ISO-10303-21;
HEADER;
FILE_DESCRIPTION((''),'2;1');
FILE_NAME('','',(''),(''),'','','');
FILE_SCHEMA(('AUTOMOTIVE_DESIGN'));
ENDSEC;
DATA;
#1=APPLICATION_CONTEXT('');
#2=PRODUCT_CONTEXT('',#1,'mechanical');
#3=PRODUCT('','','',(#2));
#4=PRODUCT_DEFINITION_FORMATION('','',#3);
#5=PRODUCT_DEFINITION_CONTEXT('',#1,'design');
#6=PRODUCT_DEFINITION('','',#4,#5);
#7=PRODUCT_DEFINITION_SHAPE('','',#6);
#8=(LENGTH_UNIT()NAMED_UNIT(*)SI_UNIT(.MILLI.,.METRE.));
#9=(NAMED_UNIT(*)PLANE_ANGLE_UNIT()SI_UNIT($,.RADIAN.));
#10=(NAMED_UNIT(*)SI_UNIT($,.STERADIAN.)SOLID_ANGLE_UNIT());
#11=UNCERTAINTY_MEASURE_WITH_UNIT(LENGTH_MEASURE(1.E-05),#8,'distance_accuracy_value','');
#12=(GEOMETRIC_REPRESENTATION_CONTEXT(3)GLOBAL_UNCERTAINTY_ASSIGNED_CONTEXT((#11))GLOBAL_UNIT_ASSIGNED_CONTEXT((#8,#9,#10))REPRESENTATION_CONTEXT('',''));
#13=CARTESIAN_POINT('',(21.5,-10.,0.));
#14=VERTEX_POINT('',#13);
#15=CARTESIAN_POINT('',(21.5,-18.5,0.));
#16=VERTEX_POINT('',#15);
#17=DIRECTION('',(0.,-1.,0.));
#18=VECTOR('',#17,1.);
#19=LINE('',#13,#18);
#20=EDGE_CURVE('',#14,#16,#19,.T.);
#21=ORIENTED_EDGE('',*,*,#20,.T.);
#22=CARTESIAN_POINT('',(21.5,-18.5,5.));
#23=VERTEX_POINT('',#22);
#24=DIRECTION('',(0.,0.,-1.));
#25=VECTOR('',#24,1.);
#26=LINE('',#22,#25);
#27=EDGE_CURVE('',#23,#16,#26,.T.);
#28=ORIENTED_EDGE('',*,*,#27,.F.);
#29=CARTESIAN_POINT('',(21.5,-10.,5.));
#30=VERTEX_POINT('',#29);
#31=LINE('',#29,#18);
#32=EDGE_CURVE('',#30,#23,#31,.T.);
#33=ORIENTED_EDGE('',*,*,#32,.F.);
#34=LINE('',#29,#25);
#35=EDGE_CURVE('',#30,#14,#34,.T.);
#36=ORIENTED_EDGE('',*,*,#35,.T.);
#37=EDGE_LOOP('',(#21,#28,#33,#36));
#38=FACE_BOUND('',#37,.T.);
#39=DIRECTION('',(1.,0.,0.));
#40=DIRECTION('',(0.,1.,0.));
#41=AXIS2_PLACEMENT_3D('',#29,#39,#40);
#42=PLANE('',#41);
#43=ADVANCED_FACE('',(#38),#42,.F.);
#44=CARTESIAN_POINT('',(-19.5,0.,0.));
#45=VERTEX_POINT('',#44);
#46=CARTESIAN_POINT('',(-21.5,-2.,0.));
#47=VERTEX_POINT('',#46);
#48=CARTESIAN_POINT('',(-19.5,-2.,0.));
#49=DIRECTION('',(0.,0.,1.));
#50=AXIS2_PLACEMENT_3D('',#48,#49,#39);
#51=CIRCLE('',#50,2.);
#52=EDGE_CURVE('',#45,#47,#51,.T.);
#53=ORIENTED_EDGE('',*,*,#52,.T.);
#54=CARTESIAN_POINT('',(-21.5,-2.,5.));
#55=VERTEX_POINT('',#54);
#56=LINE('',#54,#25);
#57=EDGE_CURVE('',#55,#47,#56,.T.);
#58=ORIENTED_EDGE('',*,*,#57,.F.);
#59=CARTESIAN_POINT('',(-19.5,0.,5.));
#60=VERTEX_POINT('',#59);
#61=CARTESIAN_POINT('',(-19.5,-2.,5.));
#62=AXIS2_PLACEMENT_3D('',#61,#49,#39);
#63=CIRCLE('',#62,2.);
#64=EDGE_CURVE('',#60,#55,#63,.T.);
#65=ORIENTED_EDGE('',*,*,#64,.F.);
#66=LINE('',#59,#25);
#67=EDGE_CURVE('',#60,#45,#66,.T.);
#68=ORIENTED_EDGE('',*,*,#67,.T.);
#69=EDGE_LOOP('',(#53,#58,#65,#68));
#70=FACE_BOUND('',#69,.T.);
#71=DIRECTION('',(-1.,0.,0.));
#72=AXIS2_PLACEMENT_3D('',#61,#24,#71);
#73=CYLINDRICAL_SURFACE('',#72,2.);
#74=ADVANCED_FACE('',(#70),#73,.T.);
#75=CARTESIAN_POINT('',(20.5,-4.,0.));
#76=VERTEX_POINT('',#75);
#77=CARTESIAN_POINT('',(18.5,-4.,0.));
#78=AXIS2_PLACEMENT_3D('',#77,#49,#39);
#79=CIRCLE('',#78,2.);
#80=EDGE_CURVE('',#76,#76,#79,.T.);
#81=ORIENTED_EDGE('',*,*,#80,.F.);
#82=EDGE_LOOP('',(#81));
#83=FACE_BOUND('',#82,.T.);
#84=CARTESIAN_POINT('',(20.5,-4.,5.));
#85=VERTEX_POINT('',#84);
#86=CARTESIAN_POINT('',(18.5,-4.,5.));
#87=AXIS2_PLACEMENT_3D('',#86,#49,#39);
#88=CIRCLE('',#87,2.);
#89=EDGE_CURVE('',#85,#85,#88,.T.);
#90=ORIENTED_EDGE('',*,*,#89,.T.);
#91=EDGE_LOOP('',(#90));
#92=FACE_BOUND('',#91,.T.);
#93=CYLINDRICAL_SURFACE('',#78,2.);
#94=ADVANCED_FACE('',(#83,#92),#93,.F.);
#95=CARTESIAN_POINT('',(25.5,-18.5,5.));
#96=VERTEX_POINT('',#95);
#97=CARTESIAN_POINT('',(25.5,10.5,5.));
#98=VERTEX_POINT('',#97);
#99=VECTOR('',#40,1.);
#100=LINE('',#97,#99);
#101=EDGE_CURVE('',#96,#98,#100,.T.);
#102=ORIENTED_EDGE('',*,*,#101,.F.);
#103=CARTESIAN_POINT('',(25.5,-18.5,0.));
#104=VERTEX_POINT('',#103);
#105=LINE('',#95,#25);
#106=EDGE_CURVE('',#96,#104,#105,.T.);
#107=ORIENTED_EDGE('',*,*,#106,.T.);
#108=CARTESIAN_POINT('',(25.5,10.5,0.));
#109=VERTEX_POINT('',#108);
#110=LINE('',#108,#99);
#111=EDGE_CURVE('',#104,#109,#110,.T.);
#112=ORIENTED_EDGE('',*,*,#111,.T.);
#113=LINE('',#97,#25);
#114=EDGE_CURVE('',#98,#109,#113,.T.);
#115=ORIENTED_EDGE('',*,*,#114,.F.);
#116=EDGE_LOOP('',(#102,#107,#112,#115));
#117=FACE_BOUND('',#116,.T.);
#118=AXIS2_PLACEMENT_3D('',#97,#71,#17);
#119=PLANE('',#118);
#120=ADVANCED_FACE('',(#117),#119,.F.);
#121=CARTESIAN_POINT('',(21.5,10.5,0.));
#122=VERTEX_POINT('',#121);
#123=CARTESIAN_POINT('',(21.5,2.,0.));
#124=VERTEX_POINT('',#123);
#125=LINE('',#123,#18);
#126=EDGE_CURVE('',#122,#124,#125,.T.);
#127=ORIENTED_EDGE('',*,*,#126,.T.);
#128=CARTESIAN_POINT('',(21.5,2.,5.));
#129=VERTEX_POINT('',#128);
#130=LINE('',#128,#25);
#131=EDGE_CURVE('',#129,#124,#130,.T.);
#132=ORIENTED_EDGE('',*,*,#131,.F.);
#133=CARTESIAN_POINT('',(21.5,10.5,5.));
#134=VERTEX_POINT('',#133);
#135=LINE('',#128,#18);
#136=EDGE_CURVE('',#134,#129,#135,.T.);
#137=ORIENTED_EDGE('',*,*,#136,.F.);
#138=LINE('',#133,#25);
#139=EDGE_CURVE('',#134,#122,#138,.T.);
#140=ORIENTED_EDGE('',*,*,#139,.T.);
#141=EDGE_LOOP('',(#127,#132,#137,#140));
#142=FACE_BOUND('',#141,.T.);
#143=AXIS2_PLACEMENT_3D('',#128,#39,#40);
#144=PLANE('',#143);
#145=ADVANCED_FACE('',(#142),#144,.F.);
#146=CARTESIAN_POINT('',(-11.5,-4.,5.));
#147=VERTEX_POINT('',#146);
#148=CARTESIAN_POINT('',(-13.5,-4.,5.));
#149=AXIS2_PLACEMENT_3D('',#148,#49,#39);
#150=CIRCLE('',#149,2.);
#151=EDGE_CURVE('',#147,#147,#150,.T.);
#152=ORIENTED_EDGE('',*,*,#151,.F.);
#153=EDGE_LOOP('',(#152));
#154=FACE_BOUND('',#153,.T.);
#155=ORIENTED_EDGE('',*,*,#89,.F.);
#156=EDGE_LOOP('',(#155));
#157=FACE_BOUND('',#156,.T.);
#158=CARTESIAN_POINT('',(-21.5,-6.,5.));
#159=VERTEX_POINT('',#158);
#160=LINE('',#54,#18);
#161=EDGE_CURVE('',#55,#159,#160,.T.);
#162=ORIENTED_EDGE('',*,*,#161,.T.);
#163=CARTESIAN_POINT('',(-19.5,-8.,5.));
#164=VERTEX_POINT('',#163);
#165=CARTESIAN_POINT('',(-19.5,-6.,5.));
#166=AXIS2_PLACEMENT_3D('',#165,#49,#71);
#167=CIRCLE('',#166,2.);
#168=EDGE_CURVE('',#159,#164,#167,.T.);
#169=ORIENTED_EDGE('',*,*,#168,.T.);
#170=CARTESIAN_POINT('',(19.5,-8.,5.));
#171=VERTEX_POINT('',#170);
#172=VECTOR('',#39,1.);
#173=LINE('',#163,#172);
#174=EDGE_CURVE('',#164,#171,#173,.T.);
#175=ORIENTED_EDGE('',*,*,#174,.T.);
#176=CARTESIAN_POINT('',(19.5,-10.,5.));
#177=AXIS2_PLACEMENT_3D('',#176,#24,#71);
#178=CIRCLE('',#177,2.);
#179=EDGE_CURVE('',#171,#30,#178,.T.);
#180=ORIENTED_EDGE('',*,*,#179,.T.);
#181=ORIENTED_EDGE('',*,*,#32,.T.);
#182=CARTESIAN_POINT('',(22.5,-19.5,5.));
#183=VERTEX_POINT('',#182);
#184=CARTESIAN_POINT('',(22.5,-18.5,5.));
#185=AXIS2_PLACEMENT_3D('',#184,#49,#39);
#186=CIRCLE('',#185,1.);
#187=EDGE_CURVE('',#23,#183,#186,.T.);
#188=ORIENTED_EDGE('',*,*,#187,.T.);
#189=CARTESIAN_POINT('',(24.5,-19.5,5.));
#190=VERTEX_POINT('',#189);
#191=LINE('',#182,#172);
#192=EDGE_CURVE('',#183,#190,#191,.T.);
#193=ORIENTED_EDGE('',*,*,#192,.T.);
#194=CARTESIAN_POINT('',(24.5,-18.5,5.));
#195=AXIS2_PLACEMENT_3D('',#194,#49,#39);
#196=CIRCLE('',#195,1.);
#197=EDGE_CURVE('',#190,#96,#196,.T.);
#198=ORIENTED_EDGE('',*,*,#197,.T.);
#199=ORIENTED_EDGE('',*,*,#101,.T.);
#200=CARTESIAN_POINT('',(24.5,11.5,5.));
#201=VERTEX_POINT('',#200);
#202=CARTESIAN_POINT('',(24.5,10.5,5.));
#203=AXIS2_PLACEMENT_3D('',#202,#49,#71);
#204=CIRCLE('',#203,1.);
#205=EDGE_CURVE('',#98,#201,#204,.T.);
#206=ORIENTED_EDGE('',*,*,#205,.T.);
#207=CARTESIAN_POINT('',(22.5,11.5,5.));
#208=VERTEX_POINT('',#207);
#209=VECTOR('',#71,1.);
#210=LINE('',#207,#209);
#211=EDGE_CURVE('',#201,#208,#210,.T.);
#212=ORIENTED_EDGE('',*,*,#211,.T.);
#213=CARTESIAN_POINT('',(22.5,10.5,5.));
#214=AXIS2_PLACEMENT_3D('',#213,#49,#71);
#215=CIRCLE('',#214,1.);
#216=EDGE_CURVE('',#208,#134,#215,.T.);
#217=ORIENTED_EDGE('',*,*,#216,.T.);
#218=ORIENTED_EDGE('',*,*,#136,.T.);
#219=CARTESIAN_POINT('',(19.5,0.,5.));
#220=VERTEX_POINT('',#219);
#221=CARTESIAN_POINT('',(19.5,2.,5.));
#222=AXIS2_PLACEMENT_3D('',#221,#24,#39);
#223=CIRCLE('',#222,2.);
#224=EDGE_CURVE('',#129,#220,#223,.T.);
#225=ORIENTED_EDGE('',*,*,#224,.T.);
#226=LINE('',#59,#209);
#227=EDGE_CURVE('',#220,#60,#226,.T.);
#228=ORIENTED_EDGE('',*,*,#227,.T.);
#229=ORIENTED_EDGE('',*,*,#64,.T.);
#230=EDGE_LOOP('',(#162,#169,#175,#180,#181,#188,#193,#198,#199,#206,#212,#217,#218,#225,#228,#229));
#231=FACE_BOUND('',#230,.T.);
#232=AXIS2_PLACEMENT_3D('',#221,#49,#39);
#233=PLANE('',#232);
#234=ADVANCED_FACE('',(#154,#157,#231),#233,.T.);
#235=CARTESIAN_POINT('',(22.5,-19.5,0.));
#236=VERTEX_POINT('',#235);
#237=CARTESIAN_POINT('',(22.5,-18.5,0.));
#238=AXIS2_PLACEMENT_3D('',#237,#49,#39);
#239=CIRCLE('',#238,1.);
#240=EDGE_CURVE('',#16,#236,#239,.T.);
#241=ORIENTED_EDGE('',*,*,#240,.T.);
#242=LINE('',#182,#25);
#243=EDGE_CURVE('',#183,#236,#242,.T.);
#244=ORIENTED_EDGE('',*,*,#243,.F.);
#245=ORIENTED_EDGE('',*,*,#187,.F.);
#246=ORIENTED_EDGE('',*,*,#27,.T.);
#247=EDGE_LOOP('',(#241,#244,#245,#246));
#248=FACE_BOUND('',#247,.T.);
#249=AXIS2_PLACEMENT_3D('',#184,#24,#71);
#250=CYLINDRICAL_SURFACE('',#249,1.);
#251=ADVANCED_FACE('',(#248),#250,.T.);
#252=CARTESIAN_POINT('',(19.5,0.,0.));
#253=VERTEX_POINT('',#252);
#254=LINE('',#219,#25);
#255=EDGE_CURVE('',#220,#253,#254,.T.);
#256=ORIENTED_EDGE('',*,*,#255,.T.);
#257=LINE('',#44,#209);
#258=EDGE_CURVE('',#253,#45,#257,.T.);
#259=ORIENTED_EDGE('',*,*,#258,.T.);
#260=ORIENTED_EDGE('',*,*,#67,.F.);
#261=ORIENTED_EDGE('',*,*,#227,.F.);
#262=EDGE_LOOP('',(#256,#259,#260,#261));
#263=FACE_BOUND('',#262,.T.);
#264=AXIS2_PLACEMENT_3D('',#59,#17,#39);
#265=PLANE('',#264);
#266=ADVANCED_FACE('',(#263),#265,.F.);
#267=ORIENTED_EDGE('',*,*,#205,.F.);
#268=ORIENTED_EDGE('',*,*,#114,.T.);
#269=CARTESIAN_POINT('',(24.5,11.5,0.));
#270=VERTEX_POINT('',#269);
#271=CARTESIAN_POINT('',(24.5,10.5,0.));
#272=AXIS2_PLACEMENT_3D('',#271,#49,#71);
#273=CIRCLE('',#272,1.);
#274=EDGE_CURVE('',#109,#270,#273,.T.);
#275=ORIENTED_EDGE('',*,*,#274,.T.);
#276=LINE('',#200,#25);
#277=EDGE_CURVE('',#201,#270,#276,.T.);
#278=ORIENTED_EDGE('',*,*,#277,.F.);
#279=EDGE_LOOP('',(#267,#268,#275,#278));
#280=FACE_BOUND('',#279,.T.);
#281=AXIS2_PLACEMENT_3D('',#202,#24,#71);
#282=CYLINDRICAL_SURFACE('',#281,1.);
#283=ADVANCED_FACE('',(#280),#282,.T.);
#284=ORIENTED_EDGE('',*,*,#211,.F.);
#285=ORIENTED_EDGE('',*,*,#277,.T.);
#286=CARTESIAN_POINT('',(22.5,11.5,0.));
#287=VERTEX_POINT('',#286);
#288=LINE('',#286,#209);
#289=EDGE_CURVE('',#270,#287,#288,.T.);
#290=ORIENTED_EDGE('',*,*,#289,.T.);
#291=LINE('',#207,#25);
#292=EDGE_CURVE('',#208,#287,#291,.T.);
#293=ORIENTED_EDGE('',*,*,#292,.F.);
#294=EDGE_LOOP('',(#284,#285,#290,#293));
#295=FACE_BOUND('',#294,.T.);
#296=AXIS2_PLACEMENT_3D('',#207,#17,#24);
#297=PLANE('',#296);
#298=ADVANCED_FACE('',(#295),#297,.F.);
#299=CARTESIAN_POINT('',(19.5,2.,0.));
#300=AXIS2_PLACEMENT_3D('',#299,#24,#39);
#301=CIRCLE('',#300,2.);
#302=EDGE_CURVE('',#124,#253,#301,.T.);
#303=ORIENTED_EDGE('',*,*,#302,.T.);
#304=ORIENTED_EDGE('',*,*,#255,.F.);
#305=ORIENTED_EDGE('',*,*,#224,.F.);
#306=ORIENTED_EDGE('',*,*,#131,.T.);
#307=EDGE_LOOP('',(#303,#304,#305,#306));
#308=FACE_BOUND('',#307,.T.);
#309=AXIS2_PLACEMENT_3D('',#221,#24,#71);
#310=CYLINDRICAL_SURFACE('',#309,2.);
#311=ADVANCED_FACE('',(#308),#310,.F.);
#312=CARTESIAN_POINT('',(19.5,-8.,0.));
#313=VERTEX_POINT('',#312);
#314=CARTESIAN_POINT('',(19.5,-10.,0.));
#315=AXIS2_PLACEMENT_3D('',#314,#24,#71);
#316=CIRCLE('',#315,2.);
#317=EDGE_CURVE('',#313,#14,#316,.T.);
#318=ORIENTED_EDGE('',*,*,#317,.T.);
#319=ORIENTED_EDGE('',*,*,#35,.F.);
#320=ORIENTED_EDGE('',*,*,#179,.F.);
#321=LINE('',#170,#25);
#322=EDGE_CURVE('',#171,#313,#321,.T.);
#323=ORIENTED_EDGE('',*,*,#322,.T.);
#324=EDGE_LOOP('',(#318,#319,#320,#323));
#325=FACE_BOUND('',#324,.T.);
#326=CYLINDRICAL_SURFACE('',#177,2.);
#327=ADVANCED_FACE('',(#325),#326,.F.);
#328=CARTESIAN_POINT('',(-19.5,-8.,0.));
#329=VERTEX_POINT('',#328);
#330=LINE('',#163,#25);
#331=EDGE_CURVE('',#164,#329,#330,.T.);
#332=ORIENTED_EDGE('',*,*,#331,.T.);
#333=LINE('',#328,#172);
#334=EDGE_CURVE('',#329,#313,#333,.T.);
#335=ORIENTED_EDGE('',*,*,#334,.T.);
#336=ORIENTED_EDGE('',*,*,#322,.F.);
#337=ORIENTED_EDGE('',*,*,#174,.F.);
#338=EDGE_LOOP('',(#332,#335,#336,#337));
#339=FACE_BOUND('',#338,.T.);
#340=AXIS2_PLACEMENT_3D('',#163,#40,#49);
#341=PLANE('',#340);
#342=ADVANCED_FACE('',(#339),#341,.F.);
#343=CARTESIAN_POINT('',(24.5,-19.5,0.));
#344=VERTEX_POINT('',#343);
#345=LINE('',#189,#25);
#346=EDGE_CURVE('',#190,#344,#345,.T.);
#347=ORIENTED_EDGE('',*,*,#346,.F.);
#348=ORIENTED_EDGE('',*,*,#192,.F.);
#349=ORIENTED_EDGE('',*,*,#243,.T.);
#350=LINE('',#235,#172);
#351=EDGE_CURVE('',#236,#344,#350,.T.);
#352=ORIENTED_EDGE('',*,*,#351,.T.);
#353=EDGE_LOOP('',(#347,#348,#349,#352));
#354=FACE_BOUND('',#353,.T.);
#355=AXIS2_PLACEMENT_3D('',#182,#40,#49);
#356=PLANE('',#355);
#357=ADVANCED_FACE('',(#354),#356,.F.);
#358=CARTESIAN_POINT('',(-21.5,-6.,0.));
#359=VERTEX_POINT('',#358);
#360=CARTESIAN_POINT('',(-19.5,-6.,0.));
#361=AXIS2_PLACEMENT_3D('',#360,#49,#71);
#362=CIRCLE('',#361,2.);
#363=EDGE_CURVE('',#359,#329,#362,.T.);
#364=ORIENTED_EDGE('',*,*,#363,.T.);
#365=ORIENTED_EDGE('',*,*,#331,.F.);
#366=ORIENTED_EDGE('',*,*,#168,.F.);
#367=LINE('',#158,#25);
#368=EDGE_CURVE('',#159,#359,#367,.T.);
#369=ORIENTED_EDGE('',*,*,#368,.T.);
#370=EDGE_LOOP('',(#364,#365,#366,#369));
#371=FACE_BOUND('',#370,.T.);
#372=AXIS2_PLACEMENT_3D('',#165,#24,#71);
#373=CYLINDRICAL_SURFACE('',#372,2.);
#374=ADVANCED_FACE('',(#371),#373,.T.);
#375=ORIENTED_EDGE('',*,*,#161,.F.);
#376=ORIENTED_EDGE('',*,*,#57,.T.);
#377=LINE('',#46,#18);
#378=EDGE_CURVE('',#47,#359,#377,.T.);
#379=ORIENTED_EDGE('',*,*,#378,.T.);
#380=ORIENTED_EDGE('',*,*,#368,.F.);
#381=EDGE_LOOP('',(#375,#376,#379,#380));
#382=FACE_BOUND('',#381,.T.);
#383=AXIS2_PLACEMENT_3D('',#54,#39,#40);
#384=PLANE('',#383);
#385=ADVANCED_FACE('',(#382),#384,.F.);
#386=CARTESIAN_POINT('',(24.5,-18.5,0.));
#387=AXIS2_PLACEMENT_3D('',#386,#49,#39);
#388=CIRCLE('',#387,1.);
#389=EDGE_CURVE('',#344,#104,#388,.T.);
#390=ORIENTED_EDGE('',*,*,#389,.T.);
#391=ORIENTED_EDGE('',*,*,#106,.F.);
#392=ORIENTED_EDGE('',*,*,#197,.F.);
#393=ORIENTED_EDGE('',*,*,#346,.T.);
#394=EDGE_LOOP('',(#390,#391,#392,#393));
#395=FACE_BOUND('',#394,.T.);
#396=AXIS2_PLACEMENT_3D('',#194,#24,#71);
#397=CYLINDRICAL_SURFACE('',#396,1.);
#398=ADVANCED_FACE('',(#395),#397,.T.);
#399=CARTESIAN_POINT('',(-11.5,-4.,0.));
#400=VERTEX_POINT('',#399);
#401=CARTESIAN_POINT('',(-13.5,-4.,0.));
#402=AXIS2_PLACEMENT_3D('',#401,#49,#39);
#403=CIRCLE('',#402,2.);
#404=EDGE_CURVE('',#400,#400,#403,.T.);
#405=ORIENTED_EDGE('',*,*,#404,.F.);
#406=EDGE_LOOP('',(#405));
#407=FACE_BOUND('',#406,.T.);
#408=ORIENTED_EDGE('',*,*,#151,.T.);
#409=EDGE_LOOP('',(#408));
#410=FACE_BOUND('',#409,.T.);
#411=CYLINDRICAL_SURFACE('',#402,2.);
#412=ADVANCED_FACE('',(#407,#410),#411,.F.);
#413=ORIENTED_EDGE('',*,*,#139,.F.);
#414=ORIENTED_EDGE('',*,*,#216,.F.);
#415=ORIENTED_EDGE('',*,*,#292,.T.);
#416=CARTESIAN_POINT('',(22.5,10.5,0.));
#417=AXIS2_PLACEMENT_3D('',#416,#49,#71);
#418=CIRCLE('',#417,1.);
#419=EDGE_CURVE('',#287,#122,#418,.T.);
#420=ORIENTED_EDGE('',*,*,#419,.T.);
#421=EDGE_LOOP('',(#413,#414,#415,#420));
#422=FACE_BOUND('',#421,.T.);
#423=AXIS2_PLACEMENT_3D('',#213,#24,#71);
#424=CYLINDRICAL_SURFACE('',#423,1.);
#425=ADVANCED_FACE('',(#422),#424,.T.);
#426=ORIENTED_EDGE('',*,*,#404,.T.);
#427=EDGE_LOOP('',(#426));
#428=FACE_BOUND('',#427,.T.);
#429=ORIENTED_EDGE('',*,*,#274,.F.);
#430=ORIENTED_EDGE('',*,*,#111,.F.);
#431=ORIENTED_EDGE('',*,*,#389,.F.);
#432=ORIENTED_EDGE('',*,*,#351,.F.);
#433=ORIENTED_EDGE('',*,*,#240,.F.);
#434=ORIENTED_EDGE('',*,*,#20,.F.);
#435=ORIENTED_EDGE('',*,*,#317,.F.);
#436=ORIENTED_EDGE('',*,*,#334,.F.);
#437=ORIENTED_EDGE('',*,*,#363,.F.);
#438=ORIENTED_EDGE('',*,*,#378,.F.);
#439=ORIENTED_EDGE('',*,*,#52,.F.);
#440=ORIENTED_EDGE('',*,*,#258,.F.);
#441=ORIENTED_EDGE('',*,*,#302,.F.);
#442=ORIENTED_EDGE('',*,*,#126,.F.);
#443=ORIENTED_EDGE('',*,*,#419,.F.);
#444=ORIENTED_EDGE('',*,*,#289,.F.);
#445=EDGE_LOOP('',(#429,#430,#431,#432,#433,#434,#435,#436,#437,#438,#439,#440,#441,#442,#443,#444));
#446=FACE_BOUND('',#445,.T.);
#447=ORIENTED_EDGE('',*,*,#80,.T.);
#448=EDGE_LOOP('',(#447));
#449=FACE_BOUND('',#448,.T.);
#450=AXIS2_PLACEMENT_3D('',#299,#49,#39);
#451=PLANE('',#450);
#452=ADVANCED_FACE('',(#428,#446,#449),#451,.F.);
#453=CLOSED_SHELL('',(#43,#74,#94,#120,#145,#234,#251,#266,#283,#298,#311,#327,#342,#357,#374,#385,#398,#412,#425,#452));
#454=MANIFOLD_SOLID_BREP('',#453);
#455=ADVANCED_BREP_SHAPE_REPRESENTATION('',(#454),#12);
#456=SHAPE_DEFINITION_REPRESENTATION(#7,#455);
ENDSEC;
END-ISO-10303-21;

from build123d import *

# Parameters (mm, degrees)
BOSS_EXTRUDE1_DEPTH = 5
SKETCH2_R           = 2
CUT_EXTRUDE1_DEPTH  = 6


with BuildPart() as part:
    # Sketch1 → Boss-Extrude1 (new body)
    with BuildSketch(Plane.XY):
        with BuildLine():
            Line((-19.5, 0), (19.5, 0))
            ThreePointArc((19.5, 0), (20.914213562, 0.585786438), (21.5, 2))
            Line((21.5, 2), (21.5, 10.5))
            ThreePointArc((21.5, 10.5), (21.792893219, 11.207106781), (22.5, 11.5))
            Line((22.5, 11.5), (24.5, 11.5))
            ThreePointArc((24.5, 11.5), (25.207106781, 11.207106781), (25.5, 10.5))
            Line((25.5, 10.5), (25.5, -18.5))
            ThreePointArc((25.5, -18.5), (25.207106781, -19.207106781), (24.5, -19.5))
            Line((24.5, -19.5), (22.5, -19.5))
            ThreePointArc((22.5, -19.5), (21.792893219, -19.207106781), (21.5, -18.5))
            Line((21.5, -18.5), (21.5, -10))
            ThreePointArc((21.5, -10), (20.914213562, -8.585786438), (19.5, -8))
            Line((19.5, -8), (-19.5, -8))
            ThreePointArc((-19.5, -8), (-20.914213562, -7.414213562), (-21.5, -6))
            Line((-21.5, -6), (-21.5, -2))
            ThreePointArc((-21.5, -2), (-20.914213562, -0.585786438), (-19.5, 0))
        make_face()
    extrude(amount=BOSS_EXTRUDE1_DEPTH)

    # Sketch2 → Cut-Extrude1 (cut, through all)
    with BuildSketch(Plane.XY.offset(5)):
        with Locations((-13.5, -4)):
            Circle(SKETCH2_R)
        with Locations((18.5, -4)):
            Circle(SKETCH2_R)
    extrude(amount=-CUT_EXTRUDE1_DEPTH, mode=Mode.SUBTRACT)


solid = part.part
